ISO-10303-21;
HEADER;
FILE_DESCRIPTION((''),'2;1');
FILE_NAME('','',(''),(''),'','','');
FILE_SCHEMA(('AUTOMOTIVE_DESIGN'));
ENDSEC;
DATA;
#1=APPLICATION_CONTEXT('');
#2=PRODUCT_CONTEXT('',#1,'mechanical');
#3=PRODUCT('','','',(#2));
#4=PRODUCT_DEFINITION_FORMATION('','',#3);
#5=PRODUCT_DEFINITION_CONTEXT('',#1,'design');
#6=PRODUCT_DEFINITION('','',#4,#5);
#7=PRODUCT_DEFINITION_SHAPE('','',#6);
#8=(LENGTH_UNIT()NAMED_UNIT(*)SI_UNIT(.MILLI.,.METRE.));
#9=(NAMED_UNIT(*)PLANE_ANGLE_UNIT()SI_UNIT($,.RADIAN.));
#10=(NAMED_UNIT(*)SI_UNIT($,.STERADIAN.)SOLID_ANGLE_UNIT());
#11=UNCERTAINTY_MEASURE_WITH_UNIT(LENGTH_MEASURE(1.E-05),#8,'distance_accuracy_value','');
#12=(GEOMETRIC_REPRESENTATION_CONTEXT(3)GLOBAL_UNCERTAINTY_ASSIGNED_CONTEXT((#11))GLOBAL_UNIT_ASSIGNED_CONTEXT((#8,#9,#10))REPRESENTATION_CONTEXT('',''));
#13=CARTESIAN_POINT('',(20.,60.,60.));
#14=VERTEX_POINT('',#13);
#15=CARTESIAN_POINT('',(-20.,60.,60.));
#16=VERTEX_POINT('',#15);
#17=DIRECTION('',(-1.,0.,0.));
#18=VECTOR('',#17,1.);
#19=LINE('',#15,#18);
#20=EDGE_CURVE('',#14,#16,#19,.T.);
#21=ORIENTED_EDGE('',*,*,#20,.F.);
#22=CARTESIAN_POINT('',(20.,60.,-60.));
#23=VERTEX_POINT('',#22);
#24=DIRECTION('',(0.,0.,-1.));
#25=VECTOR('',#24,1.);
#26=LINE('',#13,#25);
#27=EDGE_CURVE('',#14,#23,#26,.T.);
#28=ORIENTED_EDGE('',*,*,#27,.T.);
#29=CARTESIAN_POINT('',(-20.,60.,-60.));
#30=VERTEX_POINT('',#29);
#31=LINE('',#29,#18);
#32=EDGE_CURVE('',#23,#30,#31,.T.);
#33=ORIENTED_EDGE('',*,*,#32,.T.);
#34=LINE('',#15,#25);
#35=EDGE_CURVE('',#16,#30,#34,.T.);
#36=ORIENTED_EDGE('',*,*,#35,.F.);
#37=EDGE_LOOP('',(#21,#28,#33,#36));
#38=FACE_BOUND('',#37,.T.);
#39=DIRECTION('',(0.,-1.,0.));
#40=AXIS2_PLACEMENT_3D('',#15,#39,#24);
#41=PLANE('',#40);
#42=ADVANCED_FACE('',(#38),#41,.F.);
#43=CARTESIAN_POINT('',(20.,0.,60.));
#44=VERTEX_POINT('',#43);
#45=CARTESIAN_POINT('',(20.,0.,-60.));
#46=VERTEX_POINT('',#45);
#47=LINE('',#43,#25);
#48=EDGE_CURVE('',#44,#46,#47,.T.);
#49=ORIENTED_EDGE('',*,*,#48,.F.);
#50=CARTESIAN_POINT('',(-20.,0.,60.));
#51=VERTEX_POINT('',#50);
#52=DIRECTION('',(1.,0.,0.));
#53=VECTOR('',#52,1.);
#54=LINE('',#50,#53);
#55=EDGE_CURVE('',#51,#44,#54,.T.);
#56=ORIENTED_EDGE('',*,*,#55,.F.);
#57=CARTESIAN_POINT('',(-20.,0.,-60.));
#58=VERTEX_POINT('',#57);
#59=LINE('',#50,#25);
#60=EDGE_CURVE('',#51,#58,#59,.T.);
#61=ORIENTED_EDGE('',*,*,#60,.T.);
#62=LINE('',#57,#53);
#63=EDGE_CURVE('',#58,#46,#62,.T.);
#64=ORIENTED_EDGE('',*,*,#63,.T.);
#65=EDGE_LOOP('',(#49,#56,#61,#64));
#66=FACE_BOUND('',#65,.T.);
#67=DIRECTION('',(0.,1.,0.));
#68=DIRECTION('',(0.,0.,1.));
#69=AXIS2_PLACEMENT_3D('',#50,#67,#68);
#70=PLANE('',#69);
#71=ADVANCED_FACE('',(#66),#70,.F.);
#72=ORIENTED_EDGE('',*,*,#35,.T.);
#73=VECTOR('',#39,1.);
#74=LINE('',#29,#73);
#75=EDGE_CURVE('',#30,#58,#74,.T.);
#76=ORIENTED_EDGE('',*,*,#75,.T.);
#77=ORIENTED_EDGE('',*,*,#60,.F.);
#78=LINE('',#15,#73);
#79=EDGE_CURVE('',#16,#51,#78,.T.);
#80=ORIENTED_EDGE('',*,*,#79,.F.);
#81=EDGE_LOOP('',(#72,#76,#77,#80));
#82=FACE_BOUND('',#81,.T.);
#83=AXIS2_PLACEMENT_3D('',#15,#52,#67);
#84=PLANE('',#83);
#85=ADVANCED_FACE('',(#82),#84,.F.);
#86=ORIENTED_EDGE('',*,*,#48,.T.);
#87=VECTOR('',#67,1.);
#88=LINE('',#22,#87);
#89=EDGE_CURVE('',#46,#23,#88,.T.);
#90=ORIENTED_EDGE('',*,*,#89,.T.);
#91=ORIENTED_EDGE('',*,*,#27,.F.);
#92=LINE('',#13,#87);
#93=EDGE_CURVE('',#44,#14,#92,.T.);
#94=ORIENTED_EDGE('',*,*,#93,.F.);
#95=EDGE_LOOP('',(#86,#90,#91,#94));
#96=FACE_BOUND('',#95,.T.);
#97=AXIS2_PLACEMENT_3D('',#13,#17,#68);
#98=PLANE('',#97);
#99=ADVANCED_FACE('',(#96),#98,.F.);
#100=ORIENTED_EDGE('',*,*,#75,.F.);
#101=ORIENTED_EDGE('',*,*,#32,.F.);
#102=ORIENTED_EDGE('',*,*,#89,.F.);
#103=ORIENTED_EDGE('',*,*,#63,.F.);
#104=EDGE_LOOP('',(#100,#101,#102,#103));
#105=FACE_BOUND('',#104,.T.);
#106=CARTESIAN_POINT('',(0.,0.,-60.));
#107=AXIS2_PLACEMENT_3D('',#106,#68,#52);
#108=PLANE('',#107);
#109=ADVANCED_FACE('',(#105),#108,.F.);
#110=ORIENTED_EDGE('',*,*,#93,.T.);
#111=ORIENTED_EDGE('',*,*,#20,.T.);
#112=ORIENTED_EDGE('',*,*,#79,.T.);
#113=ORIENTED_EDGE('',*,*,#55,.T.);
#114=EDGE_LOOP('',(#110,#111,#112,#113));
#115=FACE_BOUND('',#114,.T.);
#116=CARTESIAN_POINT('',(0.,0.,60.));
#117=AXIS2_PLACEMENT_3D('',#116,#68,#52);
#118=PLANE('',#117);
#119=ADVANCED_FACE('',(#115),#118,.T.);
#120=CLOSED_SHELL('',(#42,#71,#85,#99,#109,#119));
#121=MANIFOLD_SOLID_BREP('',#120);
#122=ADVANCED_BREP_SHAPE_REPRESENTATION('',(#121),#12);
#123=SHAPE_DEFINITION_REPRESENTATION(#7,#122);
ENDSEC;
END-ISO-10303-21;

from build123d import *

# Parameters (mm, degrees)
SKETCH1_W           = 40
SKETCH1_H           = 60
BOSS_EXTRUDE1_DEPTH = 60


with BuildPart() as part:
    # Sketch1 → Boss-Extrude1 (new body, symmetric)
    with BuildSketch(Plane.XY):
        with Locations((0, 30)):
            Rectangle(SKETCH1_W, SKETCH1_H)
    extrude(amount=BOSS_EXTRUDE1_DEPTH, both=True)


solid = part.part
